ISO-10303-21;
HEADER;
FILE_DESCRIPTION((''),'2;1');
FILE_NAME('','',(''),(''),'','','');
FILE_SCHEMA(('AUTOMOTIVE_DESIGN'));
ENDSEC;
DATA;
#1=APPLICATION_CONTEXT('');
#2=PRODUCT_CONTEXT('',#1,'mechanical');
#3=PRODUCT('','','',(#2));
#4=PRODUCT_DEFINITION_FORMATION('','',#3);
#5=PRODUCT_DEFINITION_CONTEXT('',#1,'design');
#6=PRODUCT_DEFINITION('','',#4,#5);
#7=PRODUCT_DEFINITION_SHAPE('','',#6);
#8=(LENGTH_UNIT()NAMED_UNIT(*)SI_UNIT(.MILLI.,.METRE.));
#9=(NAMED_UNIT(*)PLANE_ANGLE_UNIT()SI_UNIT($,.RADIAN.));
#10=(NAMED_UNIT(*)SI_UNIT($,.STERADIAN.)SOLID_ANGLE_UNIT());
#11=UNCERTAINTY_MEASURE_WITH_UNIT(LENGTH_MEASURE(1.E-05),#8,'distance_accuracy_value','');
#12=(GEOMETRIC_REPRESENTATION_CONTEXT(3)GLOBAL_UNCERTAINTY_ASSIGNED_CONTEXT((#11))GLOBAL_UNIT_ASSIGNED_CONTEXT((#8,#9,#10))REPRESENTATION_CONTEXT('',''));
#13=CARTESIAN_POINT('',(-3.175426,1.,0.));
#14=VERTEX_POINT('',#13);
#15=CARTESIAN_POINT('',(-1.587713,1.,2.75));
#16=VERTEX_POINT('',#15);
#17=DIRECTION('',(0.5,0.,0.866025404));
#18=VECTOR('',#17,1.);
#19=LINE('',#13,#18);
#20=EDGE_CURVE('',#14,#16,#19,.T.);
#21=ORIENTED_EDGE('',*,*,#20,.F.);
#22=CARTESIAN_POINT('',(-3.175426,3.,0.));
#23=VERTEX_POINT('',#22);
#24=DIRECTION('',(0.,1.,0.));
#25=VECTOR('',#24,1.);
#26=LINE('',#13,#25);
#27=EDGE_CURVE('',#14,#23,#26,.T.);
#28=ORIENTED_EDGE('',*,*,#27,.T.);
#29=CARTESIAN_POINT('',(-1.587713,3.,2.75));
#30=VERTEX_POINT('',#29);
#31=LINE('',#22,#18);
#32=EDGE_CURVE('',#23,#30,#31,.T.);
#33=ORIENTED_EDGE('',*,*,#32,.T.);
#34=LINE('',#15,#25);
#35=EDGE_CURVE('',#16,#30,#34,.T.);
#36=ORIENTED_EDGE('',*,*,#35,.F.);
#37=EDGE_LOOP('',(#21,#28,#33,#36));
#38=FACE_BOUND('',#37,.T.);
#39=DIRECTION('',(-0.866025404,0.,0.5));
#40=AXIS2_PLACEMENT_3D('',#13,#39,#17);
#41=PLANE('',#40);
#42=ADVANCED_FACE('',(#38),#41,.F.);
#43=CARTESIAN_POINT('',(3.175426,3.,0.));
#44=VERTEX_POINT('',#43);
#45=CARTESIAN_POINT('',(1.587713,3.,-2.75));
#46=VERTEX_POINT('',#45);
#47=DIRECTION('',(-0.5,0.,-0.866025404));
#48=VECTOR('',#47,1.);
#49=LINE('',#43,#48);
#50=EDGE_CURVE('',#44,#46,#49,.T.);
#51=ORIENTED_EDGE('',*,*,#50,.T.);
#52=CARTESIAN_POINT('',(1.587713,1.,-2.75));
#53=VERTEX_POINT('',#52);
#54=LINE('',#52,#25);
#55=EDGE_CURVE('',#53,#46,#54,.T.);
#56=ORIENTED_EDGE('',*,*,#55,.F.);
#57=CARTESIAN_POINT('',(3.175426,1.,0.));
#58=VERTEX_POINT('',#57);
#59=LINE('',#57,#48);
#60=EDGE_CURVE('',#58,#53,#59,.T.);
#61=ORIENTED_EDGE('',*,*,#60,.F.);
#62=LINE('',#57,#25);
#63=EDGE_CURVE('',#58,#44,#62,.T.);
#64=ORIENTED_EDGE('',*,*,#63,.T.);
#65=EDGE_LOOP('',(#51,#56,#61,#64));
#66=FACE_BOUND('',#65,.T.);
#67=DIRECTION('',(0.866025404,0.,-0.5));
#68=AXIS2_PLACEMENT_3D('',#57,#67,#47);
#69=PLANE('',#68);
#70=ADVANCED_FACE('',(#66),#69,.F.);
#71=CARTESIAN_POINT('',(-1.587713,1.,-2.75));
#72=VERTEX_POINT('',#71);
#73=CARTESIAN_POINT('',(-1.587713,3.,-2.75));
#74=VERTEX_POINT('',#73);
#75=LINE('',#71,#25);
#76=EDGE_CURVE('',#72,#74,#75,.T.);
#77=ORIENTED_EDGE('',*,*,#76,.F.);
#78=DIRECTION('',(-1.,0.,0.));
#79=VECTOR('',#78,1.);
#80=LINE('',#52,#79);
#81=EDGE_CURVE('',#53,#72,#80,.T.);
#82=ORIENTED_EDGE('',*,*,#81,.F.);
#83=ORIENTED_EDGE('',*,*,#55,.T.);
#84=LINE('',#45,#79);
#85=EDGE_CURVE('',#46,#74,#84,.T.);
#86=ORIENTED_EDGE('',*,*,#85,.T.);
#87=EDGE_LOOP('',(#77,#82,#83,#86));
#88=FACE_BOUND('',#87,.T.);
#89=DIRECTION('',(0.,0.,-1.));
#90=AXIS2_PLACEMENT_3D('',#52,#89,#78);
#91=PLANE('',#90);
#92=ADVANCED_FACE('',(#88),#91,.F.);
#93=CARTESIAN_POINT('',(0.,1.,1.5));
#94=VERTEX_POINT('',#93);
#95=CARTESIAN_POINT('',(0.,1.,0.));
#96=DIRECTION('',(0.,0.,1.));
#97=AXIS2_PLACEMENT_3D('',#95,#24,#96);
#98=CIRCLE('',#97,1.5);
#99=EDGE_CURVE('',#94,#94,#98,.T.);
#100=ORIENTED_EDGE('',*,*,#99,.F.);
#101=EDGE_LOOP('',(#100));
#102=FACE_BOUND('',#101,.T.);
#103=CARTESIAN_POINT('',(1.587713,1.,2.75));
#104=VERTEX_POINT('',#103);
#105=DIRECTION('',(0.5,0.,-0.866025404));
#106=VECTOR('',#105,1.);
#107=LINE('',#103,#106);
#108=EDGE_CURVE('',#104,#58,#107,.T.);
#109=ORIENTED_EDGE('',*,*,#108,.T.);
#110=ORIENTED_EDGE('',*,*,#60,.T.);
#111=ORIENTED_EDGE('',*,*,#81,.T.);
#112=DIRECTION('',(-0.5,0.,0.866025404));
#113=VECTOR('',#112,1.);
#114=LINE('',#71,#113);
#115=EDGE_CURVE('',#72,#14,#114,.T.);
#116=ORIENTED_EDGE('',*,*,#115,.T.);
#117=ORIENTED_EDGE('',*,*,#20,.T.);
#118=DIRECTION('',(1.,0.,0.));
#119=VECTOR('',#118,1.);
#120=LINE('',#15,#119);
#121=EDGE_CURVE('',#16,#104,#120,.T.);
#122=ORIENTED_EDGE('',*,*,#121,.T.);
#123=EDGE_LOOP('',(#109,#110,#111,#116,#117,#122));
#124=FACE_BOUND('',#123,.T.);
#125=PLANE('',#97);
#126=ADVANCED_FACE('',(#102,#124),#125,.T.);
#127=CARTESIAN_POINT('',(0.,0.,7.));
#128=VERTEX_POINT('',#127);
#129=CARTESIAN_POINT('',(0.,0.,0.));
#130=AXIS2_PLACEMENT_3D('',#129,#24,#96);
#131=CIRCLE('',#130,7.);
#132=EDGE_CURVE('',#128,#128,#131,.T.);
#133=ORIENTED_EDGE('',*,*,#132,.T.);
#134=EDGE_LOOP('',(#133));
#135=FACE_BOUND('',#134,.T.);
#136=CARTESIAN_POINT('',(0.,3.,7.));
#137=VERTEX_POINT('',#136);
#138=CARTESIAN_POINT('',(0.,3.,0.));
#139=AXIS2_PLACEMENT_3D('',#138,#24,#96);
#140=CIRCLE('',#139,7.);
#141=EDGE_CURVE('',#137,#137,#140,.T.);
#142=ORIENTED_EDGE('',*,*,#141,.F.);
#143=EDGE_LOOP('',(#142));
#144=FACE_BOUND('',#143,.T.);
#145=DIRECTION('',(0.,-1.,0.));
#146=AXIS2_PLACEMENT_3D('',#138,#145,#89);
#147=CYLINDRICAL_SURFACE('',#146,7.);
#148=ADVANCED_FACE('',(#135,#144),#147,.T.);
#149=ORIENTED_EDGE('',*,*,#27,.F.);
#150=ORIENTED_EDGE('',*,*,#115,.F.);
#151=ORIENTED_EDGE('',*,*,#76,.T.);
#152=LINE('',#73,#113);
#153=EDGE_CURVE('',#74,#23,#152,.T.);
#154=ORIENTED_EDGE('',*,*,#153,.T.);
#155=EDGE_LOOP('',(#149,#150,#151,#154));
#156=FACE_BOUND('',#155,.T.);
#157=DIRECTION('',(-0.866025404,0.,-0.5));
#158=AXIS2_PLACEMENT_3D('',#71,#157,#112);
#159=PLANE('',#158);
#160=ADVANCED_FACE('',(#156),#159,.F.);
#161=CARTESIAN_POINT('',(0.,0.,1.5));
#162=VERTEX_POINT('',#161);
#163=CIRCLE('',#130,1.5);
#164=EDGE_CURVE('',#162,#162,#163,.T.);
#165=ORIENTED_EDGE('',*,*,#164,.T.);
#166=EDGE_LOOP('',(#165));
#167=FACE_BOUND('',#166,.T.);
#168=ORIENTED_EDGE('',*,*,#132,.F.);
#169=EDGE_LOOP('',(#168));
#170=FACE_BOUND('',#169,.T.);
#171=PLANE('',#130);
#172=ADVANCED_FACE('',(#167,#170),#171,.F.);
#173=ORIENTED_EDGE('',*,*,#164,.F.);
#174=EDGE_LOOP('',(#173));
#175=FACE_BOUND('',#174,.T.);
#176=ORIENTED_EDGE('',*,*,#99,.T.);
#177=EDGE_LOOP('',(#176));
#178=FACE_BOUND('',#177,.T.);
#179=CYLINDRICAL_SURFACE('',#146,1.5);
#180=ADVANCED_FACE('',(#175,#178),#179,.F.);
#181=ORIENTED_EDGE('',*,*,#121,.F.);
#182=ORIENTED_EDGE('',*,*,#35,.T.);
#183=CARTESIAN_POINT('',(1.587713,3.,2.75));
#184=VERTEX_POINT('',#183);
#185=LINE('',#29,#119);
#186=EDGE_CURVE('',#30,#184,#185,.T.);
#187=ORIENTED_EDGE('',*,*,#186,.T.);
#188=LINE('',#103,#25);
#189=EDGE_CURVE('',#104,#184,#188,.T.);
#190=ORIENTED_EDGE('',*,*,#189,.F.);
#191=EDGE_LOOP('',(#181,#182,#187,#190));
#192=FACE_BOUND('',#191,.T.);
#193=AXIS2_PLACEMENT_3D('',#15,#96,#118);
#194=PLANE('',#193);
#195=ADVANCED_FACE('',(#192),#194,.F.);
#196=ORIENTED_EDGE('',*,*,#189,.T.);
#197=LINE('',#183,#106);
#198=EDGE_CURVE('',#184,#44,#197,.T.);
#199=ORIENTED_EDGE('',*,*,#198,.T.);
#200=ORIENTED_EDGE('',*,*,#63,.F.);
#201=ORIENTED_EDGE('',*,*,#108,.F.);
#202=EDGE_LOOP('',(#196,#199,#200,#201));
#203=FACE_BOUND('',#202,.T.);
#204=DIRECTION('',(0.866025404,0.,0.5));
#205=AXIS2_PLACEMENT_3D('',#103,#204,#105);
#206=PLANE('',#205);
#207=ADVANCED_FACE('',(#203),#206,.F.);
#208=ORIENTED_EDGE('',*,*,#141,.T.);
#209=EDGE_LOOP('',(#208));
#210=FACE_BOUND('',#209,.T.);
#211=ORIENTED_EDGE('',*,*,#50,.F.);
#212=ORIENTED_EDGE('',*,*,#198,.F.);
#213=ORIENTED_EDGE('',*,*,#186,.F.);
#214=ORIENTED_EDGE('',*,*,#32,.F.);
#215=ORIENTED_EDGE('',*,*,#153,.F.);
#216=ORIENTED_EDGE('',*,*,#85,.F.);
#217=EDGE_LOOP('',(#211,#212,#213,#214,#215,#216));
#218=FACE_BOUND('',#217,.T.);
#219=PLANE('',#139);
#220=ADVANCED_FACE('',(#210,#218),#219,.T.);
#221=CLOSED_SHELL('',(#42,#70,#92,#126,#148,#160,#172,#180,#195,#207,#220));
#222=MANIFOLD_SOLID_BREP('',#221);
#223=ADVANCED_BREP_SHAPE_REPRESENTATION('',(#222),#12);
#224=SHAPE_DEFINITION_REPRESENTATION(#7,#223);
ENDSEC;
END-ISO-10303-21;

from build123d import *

# Parameters (mm, degrees)
SKETCH_1_R          = 7
SKETCH_1_R_2        = 1.5
EXTRUDE_1_DEPTH     = 3
CUT_EXTRUDE_1_DEPTH = 2


with BuildPart() as part:
    # Эскиз1 → Бобышка-Вытянуть1 (new body)
    with BuildSketch(Plane(origin=(0, 0, 0), x_dir=(1, 0, 0), z_dir=(0, 1, 0))):
        with Locations(Location((0, 0, 0), (0, 0, 270))):
            Circle(SKETCH_1_R)
        with Locations(Location((0, 0, 0), (0, 0, 270))):
            Circle(SKETCH_1_R_2, mode=Mode.SUBTRACT)
    extrude(amount=EXTRUDE_1_DEPTH)

    # Эскиз2 → Вырез-Вытянуть1 (cut)
    with BuildSketch(Plane(origin=(0, 3, 0), x_dir=(1, 0, 0), z_dir=(0, 1, 0))):
        Polygon((1.58771324, 2.75), (-1.58771324, 2.75), (-3.175426481, 0), (-1.58771324, -2.75), (1.58771324, -2.75), (3.175426481, 0), align=None)
    extrude(amount=-CUT_EXTRUDE_1_DEPTH, mode=Mode.SUBTRACT)


solid = part.part
